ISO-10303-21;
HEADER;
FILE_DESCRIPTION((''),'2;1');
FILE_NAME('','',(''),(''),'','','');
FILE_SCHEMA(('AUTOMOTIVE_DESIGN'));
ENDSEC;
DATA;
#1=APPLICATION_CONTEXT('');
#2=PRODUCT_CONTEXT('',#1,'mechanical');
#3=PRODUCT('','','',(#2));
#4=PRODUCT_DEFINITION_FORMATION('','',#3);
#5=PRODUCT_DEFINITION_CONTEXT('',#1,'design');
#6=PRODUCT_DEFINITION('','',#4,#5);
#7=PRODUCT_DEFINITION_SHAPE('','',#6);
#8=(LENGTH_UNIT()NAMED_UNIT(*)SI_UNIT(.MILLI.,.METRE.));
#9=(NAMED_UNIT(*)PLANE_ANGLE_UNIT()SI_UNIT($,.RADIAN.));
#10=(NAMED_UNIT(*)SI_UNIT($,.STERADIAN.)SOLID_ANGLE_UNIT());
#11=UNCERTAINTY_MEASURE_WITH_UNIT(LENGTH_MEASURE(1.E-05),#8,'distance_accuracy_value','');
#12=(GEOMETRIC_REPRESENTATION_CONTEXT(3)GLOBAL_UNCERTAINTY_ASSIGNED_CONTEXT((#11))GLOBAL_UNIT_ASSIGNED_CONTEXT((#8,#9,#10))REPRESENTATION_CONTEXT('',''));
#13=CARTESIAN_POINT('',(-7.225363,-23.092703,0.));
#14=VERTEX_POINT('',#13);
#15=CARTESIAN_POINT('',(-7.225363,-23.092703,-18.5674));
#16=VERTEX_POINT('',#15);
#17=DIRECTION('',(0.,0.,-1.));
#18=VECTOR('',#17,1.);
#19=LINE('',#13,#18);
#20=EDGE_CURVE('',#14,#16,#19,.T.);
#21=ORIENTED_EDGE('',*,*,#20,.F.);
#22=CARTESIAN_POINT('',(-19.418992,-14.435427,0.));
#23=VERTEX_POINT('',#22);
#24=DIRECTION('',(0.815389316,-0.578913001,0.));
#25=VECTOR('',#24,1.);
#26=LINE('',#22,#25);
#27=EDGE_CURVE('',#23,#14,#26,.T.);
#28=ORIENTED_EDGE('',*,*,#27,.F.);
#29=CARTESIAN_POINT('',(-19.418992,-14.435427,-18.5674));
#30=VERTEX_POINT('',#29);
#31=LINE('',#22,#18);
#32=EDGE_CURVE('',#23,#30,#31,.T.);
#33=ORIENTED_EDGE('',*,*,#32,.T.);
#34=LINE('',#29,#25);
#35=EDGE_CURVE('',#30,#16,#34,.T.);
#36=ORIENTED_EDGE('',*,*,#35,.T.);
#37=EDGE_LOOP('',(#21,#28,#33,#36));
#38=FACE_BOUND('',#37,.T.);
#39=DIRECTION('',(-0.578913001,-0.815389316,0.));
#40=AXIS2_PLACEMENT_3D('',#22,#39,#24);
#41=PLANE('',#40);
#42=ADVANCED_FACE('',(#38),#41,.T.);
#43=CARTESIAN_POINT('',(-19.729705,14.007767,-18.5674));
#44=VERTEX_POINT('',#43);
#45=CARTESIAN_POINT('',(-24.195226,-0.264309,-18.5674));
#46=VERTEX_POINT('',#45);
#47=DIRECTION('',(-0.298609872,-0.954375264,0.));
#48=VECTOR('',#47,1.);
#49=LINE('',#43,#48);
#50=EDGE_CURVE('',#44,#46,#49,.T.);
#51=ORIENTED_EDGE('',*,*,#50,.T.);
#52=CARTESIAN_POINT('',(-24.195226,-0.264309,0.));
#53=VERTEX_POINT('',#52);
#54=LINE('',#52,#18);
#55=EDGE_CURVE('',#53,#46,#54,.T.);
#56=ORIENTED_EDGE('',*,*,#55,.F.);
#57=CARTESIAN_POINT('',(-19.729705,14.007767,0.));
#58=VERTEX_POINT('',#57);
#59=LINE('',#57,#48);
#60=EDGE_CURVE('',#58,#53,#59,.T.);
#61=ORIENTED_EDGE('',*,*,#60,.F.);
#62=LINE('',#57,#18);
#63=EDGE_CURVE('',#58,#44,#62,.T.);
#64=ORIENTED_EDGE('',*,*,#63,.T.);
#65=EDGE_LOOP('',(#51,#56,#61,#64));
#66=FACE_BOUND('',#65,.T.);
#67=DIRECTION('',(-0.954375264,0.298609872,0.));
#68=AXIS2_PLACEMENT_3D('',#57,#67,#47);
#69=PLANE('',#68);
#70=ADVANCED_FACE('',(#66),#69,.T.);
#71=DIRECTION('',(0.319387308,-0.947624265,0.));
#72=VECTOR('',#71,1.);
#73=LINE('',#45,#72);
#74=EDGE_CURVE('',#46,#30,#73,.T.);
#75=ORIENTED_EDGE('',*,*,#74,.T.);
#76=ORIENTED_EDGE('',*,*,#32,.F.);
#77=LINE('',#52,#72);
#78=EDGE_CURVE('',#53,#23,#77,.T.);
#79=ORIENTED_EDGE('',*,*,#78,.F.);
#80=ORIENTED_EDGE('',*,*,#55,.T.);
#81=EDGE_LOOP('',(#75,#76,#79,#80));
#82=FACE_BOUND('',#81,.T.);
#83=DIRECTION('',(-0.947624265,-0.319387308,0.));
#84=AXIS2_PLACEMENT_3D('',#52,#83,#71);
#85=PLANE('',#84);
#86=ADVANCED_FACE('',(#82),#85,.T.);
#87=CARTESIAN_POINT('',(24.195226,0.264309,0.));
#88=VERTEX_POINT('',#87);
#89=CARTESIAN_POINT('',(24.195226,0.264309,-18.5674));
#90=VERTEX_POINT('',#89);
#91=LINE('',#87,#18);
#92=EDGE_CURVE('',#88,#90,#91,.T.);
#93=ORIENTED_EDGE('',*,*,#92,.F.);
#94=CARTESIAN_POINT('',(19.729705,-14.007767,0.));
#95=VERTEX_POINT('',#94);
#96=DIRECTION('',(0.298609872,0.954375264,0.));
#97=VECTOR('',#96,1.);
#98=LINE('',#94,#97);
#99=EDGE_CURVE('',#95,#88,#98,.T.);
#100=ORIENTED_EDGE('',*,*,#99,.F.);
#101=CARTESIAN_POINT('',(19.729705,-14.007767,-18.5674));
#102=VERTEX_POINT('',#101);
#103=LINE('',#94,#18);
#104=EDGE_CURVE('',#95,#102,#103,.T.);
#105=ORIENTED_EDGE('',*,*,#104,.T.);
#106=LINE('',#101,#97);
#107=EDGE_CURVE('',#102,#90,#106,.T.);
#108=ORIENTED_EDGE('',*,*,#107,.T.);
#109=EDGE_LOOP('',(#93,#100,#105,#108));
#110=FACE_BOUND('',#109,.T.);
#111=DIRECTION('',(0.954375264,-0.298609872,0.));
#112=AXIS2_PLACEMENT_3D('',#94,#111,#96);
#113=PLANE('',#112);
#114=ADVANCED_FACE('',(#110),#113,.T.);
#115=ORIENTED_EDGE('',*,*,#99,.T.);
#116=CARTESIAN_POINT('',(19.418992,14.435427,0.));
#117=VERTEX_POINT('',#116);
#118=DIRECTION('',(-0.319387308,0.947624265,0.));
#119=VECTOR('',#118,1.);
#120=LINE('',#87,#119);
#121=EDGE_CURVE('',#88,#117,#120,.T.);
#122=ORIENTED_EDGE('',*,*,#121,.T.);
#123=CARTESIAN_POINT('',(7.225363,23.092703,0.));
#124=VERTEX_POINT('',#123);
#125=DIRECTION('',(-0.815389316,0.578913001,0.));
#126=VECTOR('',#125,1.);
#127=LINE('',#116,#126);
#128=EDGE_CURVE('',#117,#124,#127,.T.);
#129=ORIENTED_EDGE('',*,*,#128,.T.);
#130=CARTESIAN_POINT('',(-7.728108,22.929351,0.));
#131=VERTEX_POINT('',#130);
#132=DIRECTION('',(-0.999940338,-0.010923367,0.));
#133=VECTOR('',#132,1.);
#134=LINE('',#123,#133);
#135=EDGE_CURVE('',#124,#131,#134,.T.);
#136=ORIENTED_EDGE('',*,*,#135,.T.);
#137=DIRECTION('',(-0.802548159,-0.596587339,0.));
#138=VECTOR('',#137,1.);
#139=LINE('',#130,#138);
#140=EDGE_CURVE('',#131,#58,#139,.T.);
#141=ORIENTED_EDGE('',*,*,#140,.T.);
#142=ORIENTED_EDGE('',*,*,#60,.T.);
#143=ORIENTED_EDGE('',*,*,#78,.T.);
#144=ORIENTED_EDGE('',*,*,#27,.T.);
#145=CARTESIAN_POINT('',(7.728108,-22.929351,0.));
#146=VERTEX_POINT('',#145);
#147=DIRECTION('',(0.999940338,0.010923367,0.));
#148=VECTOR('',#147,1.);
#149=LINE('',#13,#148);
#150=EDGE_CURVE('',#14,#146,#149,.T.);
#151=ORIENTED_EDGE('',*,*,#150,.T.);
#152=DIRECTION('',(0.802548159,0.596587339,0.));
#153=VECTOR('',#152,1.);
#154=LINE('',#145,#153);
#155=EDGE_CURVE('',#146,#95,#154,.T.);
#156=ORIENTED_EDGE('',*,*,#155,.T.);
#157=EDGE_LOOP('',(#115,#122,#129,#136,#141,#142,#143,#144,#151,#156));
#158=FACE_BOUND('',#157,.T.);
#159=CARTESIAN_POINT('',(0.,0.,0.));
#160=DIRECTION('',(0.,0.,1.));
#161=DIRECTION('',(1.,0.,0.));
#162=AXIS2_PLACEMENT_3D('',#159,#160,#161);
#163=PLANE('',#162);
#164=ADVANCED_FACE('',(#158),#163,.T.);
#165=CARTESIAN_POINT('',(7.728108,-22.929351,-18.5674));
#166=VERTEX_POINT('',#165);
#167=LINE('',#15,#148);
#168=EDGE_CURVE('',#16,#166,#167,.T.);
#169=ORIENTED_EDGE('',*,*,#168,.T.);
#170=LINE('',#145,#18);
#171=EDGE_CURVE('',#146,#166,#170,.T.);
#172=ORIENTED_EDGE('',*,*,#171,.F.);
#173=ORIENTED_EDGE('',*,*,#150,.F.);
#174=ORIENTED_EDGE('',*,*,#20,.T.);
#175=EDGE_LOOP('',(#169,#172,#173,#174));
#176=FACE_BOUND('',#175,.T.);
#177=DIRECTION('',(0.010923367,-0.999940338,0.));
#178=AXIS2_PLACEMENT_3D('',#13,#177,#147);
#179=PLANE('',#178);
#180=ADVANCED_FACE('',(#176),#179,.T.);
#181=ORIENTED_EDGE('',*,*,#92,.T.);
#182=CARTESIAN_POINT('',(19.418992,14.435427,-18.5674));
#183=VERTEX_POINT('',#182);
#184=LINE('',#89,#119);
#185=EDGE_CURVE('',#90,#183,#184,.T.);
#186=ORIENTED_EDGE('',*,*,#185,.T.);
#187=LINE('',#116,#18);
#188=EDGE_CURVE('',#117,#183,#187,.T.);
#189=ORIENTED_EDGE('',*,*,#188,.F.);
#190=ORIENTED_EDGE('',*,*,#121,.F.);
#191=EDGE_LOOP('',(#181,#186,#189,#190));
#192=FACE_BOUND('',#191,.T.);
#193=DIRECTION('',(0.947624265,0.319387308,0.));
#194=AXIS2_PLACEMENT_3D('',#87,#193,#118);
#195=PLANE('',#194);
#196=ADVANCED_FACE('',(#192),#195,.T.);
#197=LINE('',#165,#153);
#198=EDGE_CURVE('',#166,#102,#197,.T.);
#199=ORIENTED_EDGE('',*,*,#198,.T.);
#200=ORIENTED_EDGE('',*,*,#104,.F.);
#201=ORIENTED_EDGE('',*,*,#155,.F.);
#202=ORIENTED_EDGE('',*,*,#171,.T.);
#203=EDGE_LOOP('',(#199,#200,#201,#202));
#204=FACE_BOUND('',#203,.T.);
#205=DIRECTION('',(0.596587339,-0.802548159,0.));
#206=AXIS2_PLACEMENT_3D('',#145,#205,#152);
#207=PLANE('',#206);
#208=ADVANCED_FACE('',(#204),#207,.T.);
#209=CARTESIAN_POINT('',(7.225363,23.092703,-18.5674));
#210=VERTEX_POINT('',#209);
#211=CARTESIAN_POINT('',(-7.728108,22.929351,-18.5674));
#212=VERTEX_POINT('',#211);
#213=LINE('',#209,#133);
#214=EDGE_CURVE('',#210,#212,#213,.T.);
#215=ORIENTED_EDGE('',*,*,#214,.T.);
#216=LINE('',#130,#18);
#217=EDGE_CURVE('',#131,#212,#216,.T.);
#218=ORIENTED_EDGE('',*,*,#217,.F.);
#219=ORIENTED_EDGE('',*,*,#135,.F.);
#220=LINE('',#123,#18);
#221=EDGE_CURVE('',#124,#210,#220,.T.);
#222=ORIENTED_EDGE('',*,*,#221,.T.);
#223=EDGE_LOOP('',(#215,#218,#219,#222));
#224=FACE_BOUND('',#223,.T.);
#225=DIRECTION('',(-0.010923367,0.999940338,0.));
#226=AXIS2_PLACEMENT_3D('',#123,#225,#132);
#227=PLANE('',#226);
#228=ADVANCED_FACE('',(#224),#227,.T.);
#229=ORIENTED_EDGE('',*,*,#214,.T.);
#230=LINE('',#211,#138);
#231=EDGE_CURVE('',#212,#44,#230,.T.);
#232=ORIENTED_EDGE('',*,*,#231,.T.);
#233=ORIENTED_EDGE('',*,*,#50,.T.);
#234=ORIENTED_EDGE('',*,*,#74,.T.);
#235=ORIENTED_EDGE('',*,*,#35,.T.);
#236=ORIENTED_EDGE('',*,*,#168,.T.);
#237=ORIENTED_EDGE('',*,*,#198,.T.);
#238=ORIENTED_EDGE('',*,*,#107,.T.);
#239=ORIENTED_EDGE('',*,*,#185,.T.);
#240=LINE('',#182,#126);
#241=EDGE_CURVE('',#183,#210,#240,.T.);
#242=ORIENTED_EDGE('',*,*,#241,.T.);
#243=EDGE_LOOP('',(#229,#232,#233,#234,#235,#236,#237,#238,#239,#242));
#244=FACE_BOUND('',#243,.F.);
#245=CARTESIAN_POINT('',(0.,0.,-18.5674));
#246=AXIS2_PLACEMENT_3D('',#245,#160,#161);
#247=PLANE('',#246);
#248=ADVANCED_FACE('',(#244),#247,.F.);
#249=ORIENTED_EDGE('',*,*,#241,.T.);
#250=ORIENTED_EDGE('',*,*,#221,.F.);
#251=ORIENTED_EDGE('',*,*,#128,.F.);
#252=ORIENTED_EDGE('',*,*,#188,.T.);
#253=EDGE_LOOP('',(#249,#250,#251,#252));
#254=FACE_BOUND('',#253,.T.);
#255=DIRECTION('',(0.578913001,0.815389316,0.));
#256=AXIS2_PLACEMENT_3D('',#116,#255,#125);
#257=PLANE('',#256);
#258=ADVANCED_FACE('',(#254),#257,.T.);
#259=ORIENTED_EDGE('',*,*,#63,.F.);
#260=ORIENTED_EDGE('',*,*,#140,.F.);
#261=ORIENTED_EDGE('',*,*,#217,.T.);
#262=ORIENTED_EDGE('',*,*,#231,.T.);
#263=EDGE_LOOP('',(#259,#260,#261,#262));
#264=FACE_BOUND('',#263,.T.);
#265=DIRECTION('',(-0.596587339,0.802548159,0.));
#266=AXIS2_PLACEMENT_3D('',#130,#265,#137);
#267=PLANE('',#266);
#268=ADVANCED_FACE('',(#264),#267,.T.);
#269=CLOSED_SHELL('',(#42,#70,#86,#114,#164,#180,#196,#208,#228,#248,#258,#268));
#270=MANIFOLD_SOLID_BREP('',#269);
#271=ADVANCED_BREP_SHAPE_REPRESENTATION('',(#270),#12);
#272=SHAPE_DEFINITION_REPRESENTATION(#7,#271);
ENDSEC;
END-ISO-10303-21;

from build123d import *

# Parameters (mm, degrees)
F1_DEPTH = 18.5674


with BuildPart() as f1:
    # F0 (on Top) → F1 (new body)
    with BuildSketch(Plane.XY):
        Polygon((7.728108, -22.929351), (19.729705, -14.007767), (24.195226, 0.264309), (19.418992, 14.435427), (7.225363, 23.092703), (-7.728108, 22.929351), (-19.729705, 14.007767), (-24.195226, -0.264309), (-19.418992, -14.435427), (-7.225363, -23.092703), align=None)
    extrude(amount=-F1_DEPTH)


solid = f1.part
